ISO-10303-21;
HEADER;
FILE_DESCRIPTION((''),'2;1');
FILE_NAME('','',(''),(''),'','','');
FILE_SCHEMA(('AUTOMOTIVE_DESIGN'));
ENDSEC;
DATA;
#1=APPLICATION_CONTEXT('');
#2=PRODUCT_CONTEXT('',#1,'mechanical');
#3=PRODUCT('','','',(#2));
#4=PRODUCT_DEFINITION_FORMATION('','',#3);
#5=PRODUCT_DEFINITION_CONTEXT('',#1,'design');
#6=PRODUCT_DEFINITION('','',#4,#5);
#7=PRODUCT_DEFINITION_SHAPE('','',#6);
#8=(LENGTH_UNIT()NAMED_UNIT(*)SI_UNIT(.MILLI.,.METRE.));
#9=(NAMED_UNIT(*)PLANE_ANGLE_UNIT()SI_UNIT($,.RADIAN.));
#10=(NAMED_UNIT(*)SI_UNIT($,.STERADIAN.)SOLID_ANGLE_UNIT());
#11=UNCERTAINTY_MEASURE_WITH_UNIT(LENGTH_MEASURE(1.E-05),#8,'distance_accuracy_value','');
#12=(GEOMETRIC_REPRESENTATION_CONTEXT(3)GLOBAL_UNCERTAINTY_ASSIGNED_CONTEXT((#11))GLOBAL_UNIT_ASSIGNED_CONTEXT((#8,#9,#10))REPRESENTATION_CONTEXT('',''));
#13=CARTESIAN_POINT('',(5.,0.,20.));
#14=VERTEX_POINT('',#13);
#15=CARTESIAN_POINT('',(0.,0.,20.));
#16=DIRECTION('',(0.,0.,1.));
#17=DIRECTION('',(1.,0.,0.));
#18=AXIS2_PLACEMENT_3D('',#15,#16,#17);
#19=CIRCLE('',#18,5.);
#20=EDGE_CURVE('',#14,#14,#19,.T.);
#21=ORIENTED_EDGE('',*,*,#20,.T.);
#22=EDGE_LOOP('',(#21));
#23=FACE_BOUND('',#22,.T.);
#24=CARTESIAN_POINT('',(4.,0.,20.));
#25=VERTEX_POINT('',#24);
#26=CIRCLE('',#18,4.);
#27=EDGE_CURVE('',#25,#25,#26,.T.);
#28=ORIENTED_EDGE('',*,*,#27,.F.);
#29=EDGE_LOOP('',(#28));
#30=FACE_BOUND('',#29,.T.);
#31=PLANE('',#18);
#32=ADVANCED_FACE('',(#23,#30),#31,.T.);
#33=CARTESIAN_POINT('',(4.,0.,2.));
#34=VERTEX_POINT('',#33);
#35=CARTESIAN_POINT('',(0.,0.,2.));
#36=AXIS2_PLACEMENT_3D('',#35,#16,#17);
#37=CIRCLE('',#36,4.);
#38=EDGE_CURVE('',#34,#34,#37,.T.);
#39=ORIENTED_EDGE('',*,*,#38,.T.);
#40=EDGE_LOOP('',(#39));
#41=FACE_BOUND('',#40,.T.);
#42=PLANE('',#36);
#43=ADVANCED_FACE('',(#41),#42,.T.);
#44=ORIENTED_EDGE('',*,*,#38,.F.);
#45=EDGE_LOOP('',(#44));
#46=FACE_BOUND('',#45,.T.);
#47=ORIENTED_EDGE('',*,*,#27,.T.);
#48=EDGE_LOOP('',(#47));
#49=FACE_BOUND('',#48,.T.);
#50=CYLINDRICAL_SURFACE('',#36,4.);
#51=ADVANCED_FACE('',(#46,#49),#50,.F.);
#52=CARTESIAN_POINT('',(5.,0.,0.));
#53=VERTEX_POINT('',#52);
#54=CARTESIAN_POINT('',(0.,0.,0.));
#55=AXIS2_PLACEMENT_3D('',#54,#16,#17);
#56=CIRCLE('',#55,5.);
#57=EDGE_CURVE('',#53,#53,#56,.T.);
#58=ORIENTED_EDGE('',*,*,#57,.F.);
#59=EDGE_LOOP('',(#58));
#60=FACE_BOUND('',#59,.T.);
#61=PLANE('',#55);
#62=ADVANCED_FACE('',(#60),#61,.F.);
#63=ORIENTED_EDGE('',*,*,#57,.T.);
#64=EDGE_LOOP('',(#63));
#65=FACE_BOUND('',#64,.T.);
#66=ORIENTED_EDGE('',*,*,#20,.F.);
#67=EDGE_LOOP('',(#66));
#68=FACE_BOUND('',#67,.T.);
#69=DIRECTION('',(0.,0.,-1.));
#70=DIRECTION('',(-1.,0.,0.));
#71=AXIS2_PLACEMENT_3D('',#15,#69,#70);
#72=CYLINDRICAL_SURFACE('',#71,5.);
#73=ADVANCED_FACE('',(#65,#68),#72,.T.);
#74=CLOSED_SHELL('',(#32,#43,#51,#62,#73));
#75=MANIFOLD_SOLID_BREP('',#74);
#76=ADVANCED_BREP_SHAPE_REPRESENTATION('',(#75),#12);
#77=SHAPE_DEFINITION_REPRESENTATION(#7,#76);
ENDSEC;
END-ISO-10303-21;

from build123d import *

# Parameters (mm, degrees)
SCHIZZO1_R                   = 5
ESTRUSIONE_ESTRUSIONE1_DEPTH = 20
SCHIZZO2_R                   = 4
TAGLIO_ESTRUSIONE1_DEPTH     = 18


with BuildPart() as part:
    # Schizzo1 → Estrusione-Estrusione1 (new body)
    with BuildSketch(Plane.XY):
        Circle(SCHIZZO1_R)
    extrude(amount=ESTRUSIONE_ESTRUSIONE1_DEPTH)

    # Schizzo2 → Taglio-Estrusione1 (cut)
    with BuildSketch(Plane.XY.offset(20)):
        Circle(SCHIZZO2_R)
    extrude(amount=-TAGLIO_ESTRUSIONE1_DEPTH, mode=Mode.SUBTRACT)


solid = part.part
